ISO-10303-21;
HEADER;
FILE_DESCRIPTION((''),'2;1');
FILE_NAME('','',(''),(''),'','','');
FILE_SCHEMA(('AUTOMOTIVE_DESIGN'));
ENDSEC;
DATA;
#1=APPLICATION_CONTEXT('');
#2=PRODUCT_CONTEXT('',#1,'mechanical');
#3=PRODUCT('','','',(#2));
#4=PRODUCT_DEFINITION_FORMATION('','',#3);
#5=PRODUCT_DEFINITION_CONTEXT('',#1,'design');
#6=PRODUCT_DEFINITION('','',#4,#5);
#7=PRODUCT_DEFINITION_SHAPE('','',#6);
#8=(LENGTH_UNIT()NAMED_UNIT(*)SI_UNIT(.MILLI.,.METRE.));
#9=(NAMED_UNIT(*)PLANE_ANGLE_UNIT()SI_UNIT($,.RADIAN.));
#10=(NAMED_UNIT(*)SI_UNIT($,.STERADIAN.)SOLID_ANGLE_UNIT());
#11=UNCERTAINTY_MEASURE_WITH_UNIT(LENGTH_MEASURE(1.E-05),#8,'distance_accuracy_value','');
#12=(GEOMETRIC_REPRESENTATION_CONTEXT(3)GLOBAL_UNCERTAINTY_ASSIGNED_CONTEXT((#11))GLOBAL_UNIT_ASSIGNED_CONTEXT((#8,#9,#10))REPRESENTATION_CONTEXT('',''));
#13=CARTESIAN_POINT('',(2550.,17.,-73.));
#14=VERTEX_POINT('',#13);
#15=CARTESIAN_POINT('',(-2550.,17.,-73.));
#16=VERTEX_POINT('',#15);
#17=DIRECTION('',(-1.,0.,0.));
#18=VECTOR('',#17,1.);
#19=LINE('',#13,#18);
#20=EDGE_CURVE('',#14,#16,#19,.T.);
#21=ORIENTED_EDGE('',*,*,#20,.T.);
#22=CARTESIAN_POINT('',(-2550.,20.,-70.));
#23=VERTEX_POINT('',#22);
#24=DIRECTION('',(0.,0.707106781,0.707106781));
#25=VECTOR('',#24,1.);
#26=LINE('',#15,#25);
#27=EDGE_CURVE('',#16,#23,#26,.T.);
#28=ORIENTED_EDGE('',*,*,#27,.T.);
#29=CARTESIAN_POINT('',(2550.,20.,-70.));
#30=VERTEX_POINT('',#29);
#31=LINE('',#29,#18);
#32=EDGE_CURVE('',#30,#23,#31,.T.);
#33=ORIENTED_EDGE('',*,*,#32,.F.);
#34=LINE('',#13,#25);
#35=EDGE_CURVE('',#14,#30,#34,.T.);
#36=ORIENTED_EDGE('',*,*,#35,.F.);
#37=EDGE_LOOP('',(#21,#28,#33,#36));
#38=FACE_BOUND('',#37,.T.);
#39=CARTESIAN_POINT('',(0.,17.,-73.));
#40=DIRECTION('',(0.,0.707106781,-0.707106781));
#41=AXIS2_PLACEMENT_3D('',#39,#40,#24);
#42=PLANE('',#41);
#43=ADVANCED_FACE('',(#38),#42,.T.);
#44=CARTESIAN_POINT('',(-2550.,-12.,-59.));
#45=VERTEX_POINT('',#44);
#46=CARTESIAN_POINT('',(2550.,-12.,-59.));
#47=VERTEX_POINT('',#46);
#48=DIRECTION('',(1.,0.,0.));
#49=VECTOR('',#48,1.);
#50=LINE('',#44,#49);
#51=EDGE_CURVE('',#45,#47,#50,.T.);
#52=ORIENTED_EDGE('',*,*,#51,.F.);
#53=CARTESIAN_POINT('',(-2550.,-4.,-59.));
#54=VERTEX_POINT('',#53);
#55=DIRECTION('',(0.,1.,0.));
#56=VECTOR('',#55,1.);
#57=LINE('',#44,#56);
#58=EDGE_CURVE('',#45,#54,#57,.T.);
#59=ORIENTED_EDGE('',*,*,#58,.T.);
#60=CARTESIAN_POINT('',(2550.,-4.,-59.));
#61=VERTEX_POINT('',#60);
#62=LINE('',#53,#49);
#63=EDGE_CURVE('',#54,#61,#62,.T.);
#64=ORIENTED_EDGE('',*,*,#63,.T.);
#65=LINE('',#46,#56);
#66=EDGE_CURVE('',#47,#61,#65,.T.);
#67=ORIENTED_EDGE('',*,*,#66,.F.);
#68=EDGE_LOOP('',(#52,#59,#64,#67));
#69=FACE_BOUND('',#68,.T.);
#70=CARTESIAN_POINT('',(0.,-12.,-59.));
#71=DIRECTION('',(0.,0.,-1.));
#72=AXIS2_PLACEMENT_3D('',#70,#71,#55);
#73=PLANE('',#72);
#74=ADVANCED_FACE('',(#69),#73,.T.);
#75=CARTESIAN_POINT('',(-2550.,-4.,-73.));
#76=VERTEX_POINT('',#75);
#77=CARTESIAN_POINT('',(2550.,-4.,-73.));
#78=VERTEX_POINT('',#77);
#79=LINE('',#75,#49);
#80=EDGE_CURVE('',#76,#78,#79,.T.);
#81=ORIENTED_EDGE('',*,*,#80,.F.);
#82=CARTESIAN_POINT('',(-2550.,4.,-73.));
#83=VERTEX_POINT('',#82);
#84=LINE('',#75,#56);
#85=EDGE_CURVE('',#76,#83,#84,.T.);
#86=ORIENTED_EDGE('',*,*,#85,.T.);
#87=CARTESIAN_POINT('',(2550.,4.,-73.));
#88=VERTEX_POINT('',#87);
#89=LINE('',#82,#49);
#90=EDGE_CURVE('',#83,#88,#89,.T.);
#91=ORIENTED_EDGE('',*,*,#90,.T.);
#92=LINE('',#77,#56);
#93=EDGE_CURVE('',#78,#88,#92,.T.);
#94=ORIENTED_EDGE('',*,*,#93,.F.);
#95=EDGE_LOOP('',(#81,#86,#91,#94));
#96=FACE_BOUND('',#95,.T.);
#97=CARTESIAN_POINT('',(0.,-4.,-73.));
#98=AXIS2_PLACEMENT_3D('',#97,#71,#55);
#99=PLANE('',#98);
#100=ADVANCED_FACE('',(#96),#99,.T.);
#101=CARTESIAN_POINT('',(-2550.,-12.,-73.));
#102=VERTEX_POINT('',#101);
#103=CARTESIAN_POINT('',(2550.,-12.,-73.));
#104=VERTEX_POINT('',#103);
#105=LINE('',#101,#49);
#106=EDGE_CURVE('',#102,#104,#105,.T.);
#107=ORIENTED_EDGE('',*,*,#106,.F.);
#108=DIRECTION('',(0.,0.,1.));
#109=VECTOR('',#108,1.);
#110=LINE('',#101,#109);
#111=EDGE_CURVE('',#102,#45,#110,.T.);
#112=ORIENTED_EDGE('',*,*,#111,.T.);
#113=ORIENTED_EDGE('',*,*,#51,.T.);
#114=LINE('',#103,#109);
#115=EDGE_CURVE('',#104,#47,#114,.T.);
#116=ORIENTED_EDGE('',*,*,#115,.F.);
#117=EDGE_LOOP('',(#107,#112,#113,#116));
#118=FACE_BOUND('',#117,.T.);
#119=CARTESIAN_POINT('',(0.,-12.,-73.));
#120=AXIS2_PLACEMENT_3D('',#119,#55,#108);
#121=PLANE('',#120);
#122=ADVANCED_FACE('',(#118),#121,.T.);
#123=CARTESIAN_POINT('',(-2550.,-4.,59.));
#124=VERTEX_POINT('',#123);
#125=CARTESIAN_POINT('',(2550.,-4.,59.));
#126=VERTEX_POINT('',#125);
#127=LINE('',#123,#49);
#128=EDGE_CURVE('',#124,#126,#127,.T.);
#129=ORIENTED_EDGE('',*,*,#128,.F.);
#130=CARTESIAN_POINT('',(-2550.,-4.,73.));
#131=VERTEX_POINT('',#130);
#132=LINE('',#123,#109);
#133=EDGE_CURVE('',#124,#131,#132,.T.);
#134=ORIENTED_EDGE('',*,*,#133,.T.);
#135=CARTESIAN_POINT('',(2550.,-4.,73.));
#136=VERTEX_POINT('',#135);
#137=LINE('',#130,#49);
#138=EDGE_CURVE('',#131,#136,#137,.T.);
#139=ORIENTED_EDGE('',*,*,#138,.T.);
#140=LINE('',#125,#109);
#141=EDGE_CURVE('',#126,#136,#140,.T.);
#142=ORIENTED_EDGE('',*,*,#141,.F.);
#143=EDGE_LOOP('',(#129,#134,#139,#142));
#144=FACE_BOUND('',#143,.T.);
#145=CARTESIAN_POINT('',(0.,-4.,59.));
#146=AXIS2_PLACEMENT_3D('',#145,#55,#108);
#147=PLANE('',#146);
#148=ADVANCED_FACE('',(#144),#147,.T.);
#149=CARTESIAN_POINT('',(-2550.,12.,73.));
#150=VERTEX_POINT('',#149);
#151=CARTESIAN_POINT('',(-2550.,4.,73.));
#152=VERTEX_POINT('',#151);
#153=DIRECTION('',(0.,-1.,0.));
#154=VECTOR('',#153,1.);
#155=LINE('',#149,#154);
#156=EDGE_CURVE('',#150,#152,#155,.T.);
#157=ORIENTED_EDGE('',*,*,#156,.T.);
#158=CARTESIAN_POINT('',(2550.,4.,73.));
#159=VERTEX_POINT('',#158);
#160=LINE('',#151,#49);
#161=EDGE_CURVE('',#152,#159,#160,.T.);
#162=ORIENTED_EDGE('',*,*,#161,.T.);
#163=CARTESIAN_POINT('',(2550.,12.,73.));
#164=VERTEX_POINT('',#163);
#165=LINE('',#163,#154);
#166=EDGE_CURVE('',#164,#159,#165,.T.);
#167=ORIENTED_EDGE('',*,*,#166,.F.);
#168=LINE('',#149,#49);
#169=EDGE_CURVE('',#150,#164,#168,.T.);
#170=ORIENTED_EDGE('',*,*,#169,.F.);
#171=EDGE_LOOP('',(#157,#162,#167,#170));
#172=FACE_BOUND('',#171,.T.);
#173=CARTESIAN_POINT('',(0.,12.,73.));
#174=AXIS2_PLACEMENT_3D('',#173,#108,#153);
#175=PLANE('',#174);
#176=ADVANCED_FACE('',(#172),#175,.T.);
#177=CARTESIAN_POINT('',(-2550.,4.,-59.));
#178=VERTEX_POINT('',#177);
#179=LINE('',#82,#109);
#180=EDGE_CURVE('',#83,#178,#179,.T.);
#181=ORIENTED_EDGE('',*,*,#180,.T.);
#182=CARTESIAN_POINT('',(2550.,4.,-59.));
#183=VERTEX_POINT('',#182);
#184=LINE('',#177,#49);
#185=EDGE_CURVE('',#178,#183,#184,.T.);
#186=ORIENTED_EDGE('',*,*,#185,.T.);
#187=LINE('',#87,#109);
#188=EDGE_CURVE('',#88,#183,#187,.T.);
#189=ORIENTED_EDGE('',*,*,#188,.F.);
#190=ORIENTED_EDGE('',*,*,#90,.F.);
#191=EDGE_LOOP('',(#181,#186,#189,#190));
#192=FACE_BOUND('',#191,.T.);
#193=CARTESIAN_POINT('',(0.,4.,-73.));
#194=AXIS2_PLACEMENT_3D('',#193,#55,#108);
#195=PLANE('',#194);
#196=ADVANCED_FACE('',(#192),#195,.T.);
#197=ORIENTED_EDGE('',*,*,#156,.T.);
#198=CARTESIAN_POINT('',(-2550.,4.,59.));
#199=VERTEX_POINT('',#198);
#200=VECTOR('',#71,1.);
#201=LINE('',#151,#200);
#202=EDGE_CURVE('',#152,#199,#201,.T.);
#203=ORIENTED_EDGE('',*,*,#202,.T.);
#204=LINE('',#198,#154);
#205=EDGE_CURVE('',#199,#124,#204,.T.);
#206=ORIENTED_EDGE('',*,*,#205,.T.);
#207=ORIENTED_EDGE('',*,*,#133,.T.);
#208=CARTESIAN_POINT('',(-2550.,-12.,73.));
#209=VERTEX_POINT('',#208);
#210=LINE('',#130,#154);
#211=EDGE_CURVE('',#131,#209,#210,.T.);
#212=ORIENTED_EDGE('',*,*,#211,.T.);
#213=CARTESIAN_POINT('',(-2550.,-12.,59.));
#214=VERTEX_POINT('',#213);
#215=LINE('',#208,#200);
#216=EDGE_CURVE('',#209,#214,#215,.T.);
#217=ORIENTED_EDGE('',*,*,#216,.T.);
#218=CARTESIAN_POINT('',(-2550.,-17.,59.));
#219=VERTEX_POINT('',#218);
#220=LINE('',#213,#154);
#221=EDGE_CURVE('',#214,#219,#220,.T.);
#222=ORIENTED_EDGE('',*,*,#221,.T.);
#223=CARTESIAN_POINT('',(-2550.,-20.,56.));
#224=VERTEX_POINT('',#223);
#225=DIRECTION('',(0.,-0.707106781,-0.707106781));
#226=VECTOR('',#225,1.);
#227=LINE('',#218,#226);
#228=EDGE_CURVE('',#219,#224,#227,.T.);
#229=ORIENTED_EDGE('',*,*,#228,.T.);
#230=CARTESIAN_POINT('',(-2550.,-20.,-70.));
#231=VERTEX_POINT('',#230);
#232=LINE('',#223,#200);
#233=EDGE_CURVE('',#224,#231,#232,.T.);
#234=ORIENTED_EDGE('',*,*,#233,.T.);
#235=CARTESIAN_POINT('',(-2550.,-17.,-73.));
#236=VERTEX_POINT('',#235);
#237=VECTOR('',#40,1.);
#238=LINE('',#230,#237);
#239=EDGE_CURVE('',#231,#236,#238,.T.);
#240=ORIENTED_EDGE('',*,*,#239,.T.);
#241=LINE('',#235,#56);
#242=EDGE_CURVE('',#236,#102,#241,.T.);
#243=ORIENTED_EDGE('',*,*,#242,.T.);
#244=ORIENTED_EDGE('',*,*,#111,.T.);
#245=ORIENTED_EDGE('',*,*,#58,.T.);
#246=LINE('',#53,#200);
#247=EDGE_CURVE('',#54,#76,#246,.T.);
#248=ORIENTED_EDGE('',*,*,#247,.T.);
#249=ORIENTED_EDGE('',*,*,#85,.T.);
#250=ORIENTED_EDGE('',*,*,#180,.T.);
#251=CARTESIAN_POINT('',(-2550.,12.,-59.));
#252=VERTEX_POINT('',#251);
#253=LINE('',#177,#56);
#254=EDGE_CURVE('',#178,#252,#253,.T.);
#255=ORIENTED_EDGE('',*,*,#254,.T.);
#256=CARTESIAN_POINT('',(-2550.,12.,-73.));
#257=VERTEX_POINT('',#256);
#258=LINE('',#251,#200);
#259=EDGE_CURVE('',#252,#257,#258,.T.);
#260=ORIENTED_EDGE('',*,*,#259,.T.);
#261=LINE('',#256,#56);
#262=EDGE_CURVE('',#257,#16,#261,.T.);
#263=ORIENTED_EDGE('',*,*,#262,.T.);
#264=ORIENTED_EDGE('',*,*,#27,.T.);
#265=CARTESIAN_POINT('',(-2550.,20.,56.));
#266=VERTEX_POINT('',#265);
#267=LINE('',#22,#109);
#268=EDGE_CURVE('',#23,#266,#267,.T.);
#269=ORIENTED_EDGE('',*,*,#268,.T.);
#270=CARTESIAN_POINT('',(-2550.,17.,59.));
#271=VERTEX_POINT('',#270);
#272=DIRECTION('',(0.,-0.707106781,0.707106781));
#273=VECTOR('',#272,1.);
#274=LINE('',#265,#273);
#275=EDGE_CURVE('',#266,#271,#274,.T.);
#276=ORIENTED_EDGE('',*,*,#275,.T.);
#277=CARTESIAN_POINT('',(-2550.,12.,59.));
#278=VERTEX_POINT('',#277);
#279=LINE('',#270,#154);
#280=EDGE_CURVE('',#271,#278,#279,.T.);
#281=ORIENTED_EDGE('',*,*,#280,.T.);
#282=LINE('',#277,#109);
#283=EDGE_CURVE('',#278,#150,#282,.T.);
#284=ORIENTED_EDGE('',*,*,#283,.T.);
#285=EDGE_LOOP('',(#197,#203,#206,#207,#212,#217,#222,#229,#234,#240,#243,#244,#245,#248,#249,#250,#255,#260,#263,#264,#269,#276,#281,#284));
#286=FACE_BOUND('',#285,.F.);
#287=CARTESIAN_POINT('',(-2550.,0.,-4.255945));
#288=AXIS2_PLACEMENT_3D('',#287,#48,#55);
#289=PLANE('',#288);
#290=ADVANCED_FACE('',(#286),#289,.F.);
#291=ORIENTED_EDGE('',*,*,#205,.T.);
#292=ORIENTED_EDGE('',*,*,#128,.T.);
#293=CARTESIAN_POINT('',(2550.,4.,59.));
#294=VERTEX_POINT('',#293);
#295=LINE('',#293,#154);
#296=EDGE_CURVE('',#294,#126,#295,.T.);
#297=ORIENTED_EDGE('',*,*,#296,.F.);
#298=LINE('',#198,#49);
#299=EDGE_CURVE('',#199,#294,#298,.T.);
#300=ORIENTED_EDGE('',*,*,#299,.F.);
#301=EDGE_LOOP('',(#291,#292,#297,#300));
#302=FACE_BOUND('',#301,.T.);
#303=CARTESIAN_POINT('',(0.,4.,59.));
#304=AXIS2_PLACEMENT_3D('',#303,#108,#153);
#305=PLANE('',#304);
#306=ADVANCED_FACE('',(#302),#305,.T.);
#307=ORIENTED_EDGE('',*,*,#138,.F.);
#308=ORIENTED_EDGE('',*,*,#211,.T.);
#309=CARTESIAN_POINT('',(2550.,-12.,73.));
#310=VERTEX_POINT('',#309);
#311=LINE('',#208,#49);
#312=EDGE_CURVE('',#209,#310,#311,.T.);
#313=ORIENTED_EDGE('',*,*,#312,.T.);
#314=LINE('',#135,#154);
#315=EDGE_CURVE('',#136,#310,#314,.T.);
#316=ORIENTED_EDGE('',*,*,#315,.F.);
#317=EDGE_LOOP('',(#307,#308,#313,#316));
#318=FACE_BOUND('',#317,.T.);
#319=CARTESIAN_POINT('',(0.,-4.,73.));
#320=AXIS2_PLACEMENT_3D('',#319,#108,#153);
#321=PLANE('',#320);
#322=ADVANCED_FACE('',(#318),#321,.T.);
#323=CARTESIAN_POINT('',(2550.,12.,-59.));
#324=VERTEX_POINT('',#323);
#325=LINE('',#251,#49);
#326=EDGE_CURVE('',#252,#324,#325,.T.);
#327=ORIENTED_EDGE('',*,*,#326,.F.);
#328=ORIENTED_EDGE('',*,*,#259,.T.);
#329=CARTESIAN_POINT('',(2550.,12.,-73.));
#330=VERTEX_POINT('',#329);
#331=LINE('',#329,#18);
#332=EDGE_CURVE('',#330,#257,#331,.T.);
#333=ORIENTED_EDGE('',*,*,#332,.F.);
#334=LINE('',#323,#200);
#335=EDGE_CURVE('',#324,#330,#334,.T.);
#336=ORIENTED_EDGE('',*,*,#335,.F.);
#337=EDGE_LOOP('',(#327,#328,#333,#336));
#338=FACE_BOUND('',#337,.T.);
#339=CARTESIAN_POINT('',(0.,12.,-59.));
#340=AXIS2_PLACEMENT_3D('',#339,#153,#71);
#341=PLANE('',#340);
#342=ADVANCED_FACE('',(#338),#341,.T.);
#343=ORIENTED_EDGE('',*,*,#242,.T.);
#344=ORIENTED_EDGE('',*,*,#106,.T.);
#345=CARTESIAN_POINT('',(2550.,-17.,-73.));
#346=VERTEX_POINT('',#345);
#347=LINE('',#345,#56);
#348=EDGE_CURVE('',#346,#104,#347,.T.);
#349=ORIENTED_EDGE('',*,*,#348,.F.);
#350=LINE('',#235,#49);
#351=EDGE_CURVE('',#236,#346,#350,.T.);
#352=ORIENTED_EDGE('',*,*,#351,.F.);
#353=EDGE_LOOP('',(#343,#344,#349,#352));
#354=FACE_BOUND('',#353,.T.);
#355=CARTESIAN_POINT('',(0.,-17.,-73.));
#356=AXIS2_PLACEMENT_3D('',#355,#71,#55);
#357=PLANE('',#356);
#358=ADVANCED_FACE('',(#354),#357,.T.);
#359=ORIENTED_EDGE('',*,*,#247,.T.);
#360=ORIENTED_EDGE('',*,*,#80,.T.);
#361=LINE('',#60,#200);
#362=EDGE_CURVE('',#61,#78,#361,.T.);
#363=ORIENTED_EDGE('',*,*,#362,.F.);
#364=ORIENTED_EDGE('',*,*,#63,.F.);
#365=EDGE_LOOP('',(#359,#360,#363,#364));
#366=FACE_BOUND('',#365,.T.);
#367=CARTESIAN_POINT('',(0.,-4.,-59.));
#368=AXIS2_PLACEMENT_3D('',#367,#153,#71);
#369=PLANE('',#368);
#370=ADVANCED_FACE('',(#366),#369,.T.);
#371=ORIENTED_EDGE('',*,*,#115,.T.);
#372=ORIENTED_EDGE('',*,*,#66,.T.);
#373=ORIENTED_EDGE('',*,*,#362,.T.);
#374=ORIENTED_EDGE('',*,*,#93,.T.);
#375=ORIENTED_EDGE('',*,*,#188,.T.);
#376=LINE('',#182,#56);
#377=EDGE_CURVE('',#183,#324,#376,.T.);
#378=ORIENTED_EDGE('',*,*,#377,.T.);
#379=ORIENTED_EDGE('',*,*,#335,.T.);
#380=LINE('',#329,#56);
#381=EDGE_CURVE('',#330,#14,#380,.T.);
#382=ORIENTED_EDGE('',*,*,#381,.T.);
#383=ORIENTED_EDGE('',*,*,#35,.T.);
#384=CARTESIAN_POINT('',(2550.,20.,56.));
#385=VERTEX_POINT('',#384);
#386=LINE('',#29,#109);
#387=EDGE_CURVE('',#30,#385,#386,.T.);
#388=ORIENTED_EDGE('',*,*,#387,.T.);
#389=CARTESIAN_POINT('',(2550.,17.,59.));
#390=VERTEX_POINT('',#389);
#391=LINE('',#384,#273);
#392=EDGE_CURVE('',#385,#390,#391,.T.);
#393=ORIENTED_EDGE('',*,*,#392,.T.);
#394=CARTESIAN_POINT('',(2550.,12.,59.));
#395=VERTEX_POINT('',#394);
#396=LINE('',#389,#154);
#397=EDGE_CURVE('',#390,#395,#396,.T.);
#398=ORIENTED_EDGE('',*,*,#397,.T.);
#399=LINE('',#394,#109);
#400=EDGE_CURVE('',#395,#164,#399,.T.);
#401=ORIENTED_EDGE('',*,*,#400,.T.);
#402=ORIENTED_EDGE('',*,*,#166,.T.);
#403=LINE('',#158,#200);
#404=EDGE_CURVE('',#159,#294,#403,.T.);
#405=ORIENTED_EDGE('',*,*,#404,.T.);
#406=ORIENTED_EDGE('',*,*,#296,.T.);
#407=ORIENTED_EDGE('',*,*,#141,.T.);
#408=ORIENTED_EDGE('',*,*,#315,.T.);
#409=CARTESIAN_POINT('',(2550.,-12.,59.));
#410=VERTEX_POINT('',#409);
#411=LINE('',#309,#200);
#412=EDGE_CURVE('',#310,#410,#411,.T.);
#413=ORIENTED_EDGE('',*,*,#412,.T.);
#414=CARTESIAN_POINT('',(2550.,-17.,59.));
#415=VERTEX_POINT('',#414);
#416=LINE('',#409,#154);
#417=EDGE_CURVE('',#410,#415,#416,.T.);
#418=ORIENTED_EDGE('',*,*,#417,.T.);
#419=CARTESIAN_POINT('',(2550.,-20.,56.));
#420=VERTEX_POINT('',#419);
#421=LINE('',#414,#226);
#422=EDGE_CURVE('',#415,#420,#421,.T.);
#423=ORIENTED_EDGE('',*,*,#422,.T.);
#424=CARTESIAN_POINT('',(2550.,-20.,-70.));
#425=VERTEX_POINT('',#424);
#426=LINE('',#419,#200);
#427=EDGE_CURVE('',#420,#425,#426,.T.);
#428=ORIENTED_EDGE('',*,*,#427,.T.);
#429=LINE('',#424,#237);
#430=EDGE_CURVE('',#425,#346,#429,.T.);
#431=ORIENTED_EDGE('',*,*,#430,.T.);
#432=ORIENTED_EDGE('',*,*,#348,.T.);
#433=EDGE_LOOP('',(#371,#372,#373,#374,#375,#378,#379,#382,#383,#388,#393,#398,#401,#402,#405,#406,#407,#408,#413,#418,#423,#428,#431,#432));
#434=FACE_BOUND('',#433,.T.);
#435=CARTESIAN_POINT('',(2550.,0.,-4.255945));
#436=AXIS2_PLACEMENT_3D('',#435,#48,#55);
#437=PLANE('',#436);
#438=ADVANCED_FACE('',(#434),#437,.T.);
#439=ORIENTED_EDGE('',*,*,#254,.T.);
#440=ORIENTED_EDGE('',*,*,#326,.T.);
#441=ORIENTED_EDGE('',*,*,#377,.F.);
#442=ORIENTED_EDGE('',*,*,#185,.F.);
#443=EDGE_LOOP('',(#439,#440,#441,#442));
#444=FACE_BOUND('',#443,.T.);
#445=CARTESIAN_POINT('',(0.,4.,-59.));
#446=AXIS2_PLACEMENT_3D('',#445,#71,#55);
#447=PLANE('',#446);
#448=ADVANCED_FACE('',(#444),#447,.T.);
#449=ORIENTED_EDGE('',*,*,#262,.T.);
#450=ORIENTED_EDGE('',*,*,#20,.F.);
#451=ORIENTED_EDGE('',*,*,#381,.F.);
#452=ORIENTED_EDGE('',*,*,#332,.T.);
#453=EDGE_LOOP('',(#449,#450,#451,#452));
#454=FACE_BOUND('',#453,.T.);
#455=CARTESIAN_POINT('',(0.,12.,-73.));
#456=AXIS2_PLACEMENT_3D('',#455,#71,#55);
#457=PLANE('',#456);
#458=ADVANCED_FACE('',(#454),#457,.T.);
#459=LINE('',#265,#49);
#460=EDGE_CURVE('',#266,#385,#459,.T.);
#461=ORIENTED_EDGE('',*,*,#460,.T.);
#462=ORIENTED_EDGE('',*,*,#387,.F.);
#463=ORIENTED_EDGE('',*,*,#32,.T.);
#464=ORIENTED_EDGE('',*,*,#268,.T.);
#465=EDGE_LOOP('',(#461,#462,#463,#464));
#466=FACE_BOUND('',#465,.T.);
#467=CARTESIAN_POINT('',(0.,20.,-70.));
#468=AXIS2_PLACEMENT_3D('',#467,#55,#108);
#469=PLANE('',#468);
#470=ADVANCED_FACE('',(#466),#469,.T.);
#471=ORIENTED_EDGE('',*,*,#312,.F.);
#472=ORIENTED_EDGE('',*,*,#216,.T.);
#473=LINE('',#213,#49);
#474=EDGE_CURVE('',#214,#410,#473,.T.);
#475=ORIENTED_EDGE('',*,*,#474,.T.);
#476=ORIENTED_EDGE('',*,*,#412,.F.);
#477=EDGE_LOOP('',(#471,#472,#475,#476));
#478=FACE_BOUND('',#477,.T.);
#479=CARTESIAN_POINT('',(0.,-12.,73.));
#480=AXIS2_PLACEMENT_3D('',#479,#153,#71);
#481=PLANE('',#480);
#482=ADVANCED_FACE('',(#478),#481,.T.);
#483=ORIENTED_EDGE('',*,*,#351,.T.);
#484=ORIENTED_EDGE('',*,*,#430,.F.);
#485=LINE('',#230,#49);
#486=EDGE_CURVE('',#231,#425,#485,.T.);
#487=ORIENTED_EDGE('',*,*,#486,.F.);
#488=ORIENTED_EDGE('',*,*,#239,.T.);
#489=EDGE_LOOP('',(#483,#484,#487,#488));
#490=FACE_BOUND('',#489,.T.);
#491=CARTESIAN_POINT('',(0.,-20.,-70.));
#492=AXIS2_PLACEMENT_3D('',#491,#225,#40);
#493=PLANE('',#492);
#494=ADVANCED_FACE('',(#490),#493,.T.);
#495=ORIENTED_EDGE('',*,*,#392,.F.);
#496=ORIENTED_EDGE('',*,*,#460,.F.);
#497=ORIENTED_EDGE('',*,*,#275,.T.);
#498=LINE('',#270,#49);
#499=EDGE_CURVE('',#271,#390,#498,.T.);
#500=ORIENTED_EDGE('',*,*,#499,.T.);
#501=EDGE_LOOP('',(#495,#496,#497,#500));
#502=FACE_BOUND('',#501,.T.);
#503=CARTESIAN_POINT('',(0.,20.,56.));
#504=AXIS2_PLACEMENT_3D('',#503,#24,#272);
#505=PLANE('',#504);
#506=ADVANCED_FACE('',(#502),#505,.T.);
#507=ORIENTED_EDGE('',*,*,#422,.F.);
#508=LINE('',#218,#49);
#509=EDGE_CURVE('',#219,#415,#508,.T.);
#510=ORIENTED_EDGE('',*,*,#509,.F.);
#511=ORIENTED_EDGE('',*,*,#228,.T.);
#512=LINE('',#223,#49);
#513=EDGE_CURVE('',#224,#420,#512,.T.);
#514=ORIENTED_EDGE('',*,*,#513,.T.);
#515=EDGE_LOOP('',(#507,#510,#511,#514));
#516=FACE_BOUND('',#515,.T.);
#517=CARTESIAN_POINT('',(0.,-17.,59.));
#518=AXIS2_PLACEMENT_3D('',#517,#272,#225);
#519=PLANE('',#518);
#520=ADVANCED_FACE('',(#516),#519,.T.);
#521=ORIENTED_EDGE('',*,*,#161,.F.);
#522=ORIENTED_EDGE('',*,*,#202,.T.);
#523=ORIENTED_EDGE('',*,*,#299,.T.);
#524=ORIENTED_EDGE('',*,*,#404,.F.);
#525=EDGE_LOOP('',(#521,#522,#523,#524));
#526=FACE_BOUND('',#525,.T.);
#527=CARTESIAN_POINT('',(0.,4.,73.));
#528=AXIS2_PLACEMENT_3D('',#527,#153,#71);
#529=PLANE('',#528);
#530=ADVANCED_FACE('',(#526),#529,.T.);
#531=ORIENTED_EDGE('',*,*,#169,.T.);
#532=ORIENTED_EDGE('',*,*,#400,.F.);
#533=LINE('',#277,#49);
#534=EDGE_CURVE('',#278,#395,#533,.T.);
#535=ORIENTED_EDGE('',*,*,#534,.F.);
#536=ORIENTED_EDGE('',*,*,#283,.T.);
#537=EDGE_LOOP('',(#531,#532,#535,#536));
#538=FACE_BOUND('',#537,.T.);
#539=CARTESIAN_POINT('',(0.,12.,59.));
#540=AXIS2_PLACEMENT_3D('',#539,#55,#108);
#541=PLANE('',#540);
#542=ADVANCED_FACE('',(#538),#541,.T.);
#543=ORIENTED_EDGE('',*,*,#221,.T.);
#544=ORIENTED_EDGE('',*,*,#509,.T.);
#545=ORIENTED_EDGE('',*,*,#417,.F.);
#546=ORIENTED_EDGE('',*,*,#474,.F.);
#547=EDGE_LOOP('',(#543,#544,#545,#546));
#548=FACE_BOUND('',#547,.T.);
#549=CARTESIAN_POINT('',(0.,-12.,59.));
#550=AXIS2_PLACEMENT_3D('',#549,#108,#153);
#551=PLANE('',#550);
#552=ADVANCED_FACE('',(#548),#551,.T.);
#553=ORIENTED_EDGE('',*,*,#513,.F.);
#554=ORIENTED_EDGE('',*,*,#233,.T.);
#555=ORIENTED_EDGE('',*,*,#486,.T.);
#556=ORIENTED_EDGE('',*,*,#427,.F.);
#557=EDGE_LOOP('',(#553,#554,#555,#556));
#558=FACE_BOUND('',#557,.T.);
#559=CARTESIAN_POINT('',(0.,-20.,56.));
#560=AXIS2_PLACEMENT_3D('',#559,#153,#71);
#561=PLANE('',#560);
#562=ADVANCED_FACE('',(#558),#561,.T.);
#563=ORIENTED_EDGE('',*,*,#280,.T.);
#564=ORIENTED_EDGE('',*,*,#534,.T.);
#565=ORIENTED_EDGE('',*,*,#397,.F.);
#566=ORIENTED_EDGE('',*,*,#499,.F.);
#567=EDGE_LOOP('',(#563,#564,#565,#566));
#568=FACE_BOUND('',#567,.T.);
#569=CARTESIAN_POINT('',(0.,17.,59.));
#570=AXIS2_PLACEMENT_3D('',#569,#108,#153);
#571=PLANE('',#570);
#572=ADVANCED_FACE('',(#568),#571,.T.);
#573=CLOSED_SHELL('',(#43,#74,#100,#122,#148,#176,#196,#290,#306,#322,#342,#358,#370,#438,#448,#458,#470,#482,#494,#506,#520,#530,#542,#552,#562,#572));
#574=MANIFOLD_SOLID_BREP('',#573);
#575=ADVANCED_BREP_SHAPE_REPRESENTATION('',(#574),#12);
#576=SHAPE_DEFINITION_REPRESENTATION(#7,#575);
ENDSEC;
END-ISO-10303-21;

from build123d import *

# Parameters (mm, degrees)
F1_DEPTH = 2550


with BuildPart() as f1:
    # F0 (on Right) → F1 (new body, symmetric)
    with BuildSketch(Plane.YZ):
        Polygon((20, -70), (20, 56), (17, 59), (12, 59), (12, 73), (4, 73), (4, 59), (-4, 59), (-4, 73), (-12, 73), (-12, 59), (-17, 59), (-20, 56), (-20, -70), (-17, -73), (-12, -73), (-12, -59), (-4, -59), (-4, -73), (4, -73), (4, -59), (12, -59), (12, -73), (17, -73), align=None)
    extrude(amount=F1_DEPTH, both=True)


solid = f1.part
